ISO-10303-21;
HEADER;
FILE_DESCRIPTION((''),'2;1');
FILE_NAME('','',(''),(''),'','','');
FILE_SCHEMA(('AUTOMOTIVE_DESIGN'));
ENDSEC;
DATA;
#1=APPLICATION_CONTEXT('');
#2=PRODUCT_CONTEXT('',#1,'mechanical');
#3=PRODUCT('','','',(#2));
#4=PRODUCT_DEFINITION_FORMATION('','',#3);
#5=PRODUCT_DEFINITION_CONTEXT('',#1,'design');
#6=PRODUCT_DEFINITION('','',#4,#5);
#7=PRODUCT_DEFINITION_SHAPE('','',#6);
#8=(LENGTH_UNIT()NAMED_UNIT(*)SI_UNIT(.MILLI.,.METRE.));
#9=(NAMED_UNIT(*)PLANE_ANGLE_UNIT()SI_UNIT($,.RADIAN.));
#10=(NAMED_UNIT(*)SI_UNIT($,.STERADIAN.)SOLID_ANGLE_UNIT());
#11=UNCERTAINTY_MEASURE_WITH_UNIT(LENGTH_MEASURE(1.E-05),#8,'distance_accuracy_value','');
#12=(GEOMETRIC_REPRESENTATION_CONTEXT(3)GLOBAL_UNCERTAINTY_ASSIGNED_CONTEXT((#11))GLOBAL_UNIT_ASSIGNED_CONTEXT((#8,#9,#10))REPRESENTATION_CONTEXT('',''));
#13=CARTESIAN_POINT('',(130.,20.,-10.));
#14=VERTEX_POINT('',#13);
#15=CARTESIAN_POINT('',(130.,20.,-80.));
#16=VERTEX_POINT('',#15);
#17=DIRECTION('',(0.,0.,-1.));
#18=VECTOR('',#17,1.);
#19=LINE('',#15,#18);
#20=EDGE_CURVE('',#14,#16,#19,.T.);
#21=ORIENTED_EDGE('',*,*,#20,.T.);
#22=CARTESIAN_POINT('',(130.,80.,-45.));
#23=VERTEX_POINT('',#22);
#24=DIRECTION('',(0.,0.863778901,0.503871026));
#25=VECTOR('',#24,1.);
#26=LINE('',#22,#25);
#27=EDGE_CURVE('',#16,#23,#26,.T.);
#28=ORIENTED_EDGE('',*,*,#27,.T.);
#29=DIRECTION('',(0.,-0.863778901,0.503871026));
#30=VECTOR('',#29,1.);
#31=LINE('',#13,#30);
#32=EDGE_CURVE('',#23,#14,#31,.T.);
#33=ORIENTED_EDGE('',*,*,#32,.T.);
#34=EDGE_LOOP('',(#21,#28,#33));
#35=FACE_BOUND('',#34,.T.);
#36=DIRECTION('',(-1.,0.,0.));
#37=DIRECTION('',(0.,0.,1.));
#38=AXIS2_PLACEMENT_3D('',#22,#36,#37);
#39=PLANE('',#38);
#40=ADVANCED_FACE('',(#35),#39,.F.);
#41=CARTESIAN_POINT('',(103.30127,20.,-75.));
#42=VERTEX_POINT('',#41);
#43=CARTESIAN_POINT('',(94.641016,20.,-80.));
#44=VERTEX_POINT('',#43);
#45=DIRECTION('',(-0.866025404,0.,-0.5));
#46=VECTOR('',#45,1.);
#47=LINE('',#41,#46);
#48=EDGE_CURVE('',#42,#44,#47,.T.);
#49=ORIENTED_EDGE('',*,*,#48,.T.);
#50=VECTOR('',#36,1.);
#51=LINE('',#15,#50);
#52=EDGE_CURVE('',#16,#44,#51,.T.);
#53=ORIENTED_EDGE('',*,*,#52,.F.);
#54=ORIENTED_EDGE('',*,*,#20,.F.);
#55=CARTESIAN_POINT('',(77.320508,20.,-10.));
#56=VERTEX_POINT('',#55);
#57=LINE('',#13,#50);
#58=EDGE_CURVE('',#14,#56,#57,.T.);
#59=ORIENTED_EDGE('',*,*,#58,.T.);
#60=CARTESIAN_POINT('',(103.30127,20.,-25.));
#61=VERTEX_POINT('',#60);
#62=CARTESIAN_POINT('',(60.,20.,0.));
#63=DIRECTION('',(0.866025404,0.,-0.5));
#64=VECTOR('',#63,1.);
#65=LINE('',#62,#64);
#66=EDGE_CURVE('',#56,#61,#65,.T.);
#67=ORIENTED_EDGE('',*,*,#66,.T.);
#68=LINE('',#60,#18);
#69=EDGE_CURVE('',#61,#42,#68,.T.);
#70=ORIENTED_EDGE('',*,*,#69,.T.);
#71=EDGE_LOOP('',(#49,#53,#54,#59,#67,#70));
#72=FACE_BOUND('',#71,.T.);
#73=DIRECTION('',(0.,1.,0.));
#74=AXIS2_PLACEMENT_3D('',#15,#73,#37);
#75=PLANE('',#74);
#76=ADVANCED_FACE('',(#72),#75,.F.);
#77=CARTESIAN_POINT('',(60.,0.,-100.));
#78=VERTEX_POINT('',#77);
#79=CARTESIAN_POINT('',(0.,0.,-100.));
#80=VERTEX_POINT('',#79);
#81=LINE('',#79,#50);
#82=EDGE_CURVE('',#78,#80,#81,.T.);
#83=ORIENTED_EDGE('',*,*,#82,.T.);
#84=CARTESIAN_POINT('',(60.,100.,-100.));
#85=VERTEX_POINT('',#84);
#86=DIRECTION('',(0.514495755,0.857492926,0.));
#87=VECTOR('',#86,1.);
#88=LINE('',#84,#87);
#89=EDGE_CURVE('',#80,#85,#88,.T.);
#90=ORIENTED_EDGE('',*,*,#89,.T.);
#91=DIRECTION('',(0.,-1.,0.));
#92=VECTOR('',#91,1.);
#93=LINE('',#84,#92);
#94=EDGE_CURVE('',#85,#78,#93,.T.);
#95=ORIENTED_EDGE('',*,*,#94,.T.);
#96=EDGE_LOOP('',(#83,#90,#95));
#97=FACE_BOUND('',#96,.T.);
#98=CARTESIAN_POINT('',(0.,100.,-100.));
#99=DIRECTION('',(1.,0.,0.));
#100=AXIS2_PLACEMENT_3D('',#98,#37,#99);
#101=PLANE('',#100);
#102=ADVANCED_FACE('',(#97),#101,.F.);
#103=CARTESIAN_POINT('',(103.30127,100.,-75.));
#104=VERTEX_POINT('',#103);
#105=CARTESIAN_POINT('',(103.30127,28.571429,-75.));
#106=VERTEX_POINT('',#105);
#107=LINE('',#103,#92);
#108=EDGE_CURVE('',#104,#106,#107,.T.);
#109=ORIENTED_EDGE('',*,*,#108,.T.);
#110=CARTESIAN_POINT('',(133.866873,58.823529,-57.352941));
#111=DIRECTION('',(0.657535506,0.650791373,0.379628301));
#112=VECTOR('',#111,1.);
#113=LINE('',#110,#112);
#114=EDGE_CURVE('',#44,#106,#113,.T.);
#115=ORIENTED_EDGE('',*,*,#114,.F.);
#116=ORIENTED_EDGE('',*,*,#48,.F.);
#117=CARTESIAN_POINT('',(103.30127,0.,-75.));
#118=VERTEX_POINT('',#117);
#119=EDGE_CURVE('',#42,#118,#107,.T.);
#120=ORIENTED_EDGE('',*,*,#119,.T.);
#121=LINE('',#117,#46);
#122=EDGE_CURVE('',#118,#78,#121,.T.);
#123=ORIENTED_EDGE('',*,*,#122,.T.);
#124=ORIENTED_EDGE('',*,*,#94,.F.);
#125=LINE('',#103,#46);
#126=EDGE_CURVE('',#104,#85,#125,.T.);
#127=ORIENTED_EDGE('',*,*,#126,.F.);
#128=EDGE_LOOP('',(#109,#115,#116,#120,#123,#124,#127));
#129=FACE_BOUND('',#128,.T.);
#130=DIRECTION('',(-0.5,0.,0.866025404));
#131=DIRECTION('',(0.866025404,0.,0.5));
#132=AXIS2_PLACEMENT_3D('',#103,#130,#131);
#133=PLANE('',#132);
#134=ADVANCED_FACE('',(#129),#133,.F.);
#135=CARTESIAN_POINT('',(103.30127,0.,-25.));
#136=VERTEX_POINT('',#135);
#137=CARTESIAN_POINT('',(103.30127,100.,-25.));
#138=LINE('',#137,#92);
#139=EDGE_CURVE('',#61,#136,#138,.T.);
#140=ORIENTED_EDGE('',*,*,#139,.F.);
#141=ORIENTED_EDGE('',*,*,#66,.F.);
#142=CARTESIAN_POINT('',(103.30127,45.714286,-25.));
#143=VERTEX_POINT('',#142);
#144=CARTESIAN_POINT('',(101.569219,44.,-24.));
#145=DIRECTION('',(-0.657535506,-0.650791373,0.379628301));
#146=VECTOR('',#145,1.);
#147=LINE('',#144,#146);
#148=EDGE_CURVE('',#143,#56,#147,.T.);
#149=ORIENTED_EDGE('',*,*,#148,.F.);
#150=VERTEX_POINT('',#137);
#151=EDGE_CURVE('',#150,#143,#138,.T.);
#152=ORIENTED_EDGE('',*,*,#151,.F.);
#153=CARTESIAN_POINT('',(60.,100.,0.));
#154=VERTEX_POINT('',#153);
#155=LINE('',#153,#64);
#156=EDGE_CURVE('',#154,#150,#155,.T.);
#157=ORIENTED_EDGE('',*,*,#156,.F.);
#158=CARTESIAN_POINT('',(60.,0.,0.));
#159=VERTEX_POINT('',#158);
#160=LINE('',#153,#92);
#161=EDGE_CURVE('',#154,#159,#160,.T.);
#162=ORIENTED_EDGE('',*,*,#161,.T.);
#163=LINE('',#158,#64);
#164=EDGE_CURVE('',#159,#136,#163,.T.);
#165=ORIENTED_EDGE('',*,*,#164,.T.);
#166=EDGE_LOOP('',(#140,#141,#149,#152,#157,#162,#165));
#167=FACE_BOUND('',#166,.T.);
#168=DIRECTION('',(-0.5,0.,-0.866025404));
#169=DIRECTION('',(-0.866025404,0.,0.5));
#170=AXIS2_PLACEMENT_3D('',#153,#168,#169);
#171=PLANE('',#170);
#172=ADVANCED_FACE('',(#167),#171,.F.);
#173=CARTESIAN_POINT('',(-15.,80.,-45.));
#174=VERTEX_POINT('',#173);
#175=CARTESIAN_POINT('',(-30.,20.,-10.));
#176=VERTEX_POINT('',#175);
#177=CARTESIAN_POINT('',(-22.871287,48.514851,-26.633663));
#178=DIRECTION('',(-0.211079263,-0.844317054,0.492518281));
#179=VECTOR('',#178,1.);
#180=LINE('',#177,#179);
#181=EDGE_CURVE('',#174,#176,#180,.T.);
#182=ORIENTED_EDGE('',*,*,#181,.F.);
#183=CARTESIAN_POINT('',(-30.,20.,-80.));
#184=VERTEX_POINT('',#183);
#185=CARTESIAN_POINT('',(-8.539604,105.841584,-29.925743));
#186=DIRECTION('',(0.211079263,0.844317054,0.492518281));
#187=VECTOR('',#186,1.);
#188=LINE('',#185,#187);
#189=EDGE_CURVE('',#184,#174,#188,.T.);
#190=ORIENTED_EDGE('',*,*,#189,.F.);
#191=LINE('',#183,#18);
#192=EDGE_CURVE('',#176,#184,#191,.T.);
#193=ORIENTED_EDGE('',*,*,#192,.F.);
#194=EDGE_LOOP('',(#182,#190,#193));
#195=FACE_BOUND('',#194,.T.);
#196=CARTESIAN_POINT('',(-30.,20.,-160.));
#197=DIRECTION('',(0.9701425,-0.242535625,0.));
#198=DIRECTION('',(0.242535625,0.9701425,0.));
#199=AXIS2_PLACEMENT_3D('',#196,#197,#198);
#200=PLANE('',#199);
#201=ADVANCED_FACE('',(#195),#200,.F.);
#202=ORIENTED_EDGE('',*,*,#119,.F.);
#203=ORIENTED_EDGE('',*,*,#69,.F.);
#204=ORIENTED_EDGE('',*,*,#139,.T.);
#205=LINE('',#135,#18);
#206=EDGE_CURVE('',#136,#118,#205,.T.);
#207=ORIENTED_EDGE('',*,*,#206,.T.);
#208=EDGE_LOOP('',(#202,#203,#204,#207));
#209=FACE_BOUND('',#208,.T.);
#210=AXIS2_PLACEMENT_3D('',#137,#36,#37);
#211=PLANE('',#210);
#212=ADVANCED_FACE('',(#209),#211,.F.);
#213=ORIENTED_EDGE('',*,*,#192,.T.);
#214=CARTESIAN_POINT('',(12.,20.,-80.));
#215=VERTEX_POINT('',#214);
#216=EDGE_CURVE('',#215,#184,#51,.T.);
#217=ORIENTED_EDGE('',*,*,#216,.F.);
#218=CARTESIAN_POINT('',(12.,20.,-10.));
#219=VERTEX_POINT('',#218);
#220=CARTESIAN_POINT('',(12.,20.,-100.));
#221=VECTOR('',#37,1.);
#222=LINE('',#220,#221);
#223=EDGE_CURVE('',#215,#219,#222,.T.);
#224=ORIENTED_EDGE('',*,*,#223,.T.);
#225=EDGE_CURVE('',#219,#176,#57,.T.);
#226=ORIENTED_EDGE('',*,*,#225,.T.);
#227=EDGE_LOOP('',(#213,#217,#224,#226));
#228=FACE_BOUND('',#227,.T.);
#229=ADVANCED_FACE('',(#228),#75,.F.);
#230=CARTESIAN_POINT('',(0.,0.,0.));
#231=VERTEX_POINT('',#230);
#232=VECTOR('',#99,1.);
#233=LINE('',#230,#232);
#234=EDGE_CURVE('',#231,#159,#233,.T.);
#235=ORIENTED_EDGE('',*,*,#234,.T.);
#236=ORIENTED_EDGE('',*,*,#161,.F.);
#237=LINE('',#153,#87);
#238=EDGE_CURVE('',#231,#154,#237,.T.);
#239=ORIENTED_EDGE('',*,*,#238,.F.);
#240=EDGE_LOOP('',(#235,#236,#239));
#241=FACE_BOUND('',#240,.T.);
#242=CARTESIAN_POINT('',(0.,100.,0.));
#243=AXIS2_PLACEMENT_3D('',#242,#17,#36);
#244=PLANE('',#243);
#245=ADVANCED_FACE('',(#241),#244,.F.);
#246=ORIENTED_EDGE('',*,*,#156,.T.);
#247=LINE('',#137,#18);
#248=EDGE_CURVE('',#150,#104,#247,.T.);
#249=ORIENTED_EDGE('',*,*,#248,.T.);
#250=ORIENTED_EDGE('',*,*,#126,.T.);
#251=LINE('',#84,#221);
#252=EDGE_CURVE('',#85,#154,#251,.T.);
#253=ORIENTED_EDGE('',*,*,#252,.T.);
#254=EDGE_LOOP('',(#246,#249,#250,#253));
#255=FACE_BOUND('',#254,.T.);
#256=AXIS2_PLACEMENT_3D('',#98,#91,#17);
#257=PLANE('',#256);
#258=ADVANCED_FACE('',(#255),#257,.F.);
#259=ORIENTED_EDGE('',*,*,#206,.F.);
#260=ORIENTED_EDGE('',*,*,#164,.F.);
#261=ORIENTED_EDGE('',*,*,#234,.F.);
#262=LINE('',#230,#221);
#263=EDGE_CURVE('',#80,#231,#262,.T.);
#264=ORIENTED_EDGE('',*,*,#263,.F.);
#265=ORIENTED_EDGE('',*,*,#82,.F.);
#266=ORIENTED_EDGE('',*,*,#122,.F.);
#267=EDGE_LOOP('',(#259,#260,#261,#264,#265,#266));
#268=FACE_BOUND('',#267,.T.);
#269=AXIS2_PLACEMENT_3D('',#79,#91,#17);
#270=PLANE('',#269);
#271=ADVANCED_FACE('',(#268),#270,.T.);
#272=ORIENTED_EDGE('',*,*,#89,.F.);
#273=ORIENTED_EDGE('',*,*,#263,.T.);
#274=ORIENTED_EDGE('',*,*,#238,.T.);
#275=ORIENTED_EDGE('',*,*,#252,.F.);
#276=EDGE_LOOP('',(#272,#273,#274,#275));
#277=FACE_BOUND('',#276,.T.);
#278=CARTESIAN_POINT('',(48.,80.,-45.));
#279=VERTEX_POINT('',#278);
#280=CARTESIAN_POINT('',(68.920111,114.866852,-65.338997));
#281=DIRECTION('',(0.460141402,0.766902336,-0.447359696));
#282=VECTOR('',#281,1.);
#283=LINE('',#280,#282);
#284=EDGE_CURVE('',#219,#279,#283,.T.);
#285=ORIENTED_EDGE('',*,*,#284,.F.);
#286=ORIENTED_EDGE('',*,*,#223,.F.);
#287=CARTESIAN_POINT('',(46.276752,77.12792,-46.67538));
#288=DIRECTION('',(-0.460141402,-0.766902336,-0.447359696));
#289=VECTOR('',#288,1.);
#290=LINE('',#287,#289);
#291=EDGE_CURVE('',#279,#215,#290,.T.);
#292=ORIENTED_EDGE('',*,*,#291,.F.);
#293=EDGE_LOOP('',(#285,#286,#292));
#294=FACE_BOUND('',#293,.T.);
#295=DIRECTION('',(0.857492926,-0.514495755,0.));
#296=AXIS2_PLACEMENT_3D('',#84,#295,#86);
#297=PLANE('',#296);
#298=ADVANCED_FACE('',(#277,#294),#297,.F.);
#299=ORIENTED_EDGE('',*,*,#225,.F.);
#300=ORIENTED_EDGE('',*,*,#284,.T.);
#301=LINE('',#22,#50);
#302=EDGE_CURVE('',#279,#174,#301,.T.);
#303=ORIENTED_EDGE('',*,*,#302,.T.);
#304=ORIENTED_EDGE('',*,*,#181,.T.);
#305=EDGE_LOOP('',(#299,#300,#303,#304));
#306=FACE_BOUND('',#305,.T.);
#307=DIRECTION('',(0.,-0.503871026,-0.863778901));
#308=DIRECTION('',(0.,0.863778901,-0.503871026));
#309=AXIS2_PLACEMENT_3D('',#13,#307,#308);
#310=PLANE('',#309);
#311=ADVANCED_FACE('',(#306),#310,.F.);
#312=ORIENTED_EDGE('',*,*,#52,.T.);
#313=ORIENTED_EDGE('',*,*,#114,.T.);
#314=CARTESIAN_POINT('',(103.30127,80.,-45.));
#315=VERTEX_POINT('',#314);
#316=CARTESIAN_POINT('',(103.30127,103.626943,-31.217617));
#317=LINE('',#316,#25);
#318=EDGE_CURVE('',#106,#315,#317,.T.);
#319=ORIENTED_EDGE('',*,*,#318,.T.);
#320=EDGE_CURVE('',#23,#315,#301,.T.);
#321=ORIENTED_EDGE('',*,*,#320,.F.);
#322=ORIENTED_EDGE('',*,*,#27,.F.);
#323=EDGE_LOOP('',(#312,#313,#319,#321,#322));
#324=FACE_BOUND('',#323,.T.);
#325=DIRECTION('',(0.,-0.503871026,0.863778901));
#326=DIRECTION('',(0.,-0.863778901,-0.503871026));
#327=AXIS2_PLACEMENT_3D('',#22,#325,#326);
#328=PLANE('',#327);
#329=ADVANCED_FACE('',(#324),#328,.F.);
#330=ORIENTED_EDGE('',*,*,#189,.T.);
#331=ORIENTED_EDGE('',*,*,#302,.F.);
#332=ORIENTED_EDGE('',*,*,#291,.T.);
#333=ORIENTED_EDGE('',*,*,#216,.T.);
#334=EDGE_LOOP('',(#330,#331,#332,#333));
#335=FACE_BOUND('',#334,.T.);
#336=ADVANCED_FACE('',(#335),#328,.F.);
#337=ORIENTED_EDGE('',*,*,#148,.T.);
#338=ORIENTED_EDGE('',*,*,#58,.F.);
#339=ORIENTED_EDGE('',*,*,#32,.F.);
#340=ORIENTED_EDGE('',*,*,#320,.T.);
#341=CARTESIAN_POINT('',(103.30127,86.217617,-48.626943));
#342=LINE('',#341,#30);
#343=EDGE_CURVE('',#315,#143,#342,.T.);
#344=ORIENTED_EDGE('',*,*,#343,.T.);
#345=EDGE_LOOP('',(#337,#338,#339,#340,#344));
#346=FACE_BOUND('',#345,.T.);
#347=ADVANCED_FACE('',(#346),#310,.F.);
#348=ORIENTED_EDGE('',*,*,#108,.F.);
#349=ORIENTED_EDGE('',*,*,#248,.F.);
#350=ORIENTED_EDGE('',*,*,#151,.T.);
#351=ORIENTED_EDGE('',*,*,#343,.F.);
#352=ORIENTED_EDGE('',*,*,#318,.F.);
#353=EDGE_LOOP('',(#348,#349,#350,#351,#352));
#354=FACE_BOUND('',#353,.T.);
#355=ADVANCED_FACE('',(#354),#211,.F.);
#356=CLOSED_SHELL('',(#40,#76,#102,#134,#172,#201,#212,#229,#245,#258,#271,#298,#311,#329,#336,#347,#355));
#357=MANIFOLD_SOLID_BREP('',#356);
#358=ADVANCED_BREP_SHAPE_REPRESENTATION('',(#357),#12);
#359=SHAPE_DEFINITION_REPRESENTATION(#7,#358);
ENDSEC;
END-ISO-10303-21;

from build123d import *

# Parameters (mm, degrees)
EXTRUDE1_DEPTH = 100
EXTRUDE2_DEPTH = 101
EXTRUDE3_START = -30
EXTRUDE3_DEPTH = 160
EXTRUDE4_DEPTH = 160


with BuildPart() as part:
    # Sketch1 → Extrude1 (new body)
    with BuildSketch(Plane(origin=(0, 0, 0), x_dir=(1, 0, 0), z_dir=(0, 1, 0))):
        Polygon((60, 0), (103.301270189, 25), (103.301270189, 75), (60, 100), (0, 100), (0, 0), align=None)
    extrude(amount=EXTRUDE1_DEPTH)

    # Sketch2 → Extrude2 (cut, through all)
    with BuildSketch(Plane.XY):
        Polygon((60, 100), (0, 0), (0, 100), align=None)
    extrude(amount=-EXTRUDE2_DEPTH, mode=Mode.SUBTRACT)

    # Sketch3 → Extrude3 (add)
    with BuildSketch(Plane(origin=(0, 0, 0), x_dir=(0, 0, -1), z_dir=(1, 0, 0)).offset(EXTRUDE3_START)):
        Polygon((45, 80), (80, 20), (10, 20), align=None)
    extrude(amount=EXTRUDE3_DEPTH)

    # Sketch4 → Extrude4 (cut)
    with BuildSketch(Plane.XY):
        Polygon((-30, 20), (-15, 80), (-30, 80), align=None)
    extrude(amount=-EXTRUDE4_DEPTH, mode=Mode.SUBTRACT)


solid = part.part
